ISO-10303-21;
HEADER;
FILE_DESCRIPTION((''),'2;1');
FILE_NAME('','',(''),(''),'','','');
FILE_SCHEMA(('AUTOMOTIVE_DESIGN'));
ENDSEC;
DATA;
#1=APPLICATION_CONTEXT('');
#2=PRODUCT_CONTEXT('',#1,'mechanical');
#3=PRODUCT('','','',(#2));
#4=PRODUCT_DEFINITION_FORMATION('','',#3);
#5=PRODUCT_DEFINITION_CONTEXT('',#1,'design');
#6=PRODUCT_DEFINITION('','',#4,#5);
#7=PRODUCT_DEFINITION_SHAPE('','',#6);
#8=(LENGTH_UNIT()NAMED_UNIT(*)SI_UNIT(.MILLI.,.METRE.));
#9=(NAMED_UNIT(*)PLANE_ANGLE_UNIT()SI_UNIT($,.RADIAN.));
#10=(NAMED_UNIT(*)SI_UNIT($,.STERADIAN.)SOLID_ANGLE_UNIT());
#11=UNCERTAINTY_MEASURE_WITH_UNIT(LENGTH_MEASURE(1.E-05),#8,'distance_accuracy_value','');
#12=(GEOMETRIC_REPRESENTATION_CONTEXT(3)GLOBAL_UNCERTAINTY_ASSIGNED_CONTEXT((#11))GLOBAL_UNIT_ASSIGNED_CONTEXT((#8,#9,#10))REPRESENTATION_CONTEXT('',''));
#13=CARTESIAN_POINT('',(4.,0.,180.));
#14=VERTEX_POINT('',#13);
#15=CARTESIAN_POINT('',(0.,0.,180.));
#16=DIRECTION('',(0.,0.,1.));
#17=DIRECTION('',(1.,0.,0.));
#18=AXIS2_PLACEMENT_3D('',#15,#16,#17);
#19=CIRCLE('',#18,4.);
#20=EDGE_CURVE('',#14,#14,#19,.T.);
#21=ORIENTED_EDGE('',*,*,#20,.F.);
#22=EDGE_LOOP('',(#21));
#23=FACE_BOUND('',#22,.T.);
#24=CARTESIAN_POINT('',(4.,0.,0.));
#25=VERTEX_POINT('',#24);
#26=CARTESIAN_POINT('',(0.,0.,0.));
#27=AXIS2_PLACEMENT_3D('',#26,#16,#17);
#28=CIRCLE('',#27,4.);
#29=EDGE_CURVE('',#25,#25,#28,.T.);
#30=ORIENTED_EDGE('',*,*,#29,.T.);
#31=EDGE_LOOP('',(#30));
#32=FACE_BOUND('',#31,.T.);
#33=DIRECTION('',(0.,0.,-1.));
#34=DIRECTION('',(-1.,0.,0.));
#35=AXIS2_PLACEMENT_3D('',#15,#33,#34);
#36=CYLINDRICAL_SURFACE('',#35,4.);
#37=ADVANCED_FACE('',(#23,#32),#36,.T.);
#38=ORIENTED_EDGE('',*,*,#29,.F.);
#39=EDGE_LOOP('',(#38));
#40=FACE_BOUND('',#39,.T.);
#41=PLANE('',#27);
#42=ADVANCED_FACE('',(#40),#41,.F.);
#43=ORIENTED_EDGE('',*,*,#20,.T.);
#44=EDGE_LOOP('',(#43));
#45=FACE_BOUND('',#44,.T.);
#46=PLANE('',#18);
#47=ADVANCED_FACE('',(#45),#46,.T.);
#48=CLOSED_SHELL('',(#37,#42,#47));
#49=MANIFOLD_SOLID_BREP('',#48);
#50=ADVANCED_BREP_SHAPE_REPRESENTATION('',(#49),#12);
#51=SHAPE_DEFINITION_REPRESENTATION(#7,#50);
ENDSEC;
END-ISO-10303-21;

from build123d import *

# Parameters (mm, degrees)
SKETCH_1_R      = 4
EXTRUDE_1_DEPTH = 180


with BuildPart() as part:
    # 草图1 → 凸台-拉伸1 (new body)
    with BuildSketch(Plane.XY):
        Circle(SKETCH_1_R)
    extrude(amount=EXTRUDE_1_DEPTH)


solid = part.part
